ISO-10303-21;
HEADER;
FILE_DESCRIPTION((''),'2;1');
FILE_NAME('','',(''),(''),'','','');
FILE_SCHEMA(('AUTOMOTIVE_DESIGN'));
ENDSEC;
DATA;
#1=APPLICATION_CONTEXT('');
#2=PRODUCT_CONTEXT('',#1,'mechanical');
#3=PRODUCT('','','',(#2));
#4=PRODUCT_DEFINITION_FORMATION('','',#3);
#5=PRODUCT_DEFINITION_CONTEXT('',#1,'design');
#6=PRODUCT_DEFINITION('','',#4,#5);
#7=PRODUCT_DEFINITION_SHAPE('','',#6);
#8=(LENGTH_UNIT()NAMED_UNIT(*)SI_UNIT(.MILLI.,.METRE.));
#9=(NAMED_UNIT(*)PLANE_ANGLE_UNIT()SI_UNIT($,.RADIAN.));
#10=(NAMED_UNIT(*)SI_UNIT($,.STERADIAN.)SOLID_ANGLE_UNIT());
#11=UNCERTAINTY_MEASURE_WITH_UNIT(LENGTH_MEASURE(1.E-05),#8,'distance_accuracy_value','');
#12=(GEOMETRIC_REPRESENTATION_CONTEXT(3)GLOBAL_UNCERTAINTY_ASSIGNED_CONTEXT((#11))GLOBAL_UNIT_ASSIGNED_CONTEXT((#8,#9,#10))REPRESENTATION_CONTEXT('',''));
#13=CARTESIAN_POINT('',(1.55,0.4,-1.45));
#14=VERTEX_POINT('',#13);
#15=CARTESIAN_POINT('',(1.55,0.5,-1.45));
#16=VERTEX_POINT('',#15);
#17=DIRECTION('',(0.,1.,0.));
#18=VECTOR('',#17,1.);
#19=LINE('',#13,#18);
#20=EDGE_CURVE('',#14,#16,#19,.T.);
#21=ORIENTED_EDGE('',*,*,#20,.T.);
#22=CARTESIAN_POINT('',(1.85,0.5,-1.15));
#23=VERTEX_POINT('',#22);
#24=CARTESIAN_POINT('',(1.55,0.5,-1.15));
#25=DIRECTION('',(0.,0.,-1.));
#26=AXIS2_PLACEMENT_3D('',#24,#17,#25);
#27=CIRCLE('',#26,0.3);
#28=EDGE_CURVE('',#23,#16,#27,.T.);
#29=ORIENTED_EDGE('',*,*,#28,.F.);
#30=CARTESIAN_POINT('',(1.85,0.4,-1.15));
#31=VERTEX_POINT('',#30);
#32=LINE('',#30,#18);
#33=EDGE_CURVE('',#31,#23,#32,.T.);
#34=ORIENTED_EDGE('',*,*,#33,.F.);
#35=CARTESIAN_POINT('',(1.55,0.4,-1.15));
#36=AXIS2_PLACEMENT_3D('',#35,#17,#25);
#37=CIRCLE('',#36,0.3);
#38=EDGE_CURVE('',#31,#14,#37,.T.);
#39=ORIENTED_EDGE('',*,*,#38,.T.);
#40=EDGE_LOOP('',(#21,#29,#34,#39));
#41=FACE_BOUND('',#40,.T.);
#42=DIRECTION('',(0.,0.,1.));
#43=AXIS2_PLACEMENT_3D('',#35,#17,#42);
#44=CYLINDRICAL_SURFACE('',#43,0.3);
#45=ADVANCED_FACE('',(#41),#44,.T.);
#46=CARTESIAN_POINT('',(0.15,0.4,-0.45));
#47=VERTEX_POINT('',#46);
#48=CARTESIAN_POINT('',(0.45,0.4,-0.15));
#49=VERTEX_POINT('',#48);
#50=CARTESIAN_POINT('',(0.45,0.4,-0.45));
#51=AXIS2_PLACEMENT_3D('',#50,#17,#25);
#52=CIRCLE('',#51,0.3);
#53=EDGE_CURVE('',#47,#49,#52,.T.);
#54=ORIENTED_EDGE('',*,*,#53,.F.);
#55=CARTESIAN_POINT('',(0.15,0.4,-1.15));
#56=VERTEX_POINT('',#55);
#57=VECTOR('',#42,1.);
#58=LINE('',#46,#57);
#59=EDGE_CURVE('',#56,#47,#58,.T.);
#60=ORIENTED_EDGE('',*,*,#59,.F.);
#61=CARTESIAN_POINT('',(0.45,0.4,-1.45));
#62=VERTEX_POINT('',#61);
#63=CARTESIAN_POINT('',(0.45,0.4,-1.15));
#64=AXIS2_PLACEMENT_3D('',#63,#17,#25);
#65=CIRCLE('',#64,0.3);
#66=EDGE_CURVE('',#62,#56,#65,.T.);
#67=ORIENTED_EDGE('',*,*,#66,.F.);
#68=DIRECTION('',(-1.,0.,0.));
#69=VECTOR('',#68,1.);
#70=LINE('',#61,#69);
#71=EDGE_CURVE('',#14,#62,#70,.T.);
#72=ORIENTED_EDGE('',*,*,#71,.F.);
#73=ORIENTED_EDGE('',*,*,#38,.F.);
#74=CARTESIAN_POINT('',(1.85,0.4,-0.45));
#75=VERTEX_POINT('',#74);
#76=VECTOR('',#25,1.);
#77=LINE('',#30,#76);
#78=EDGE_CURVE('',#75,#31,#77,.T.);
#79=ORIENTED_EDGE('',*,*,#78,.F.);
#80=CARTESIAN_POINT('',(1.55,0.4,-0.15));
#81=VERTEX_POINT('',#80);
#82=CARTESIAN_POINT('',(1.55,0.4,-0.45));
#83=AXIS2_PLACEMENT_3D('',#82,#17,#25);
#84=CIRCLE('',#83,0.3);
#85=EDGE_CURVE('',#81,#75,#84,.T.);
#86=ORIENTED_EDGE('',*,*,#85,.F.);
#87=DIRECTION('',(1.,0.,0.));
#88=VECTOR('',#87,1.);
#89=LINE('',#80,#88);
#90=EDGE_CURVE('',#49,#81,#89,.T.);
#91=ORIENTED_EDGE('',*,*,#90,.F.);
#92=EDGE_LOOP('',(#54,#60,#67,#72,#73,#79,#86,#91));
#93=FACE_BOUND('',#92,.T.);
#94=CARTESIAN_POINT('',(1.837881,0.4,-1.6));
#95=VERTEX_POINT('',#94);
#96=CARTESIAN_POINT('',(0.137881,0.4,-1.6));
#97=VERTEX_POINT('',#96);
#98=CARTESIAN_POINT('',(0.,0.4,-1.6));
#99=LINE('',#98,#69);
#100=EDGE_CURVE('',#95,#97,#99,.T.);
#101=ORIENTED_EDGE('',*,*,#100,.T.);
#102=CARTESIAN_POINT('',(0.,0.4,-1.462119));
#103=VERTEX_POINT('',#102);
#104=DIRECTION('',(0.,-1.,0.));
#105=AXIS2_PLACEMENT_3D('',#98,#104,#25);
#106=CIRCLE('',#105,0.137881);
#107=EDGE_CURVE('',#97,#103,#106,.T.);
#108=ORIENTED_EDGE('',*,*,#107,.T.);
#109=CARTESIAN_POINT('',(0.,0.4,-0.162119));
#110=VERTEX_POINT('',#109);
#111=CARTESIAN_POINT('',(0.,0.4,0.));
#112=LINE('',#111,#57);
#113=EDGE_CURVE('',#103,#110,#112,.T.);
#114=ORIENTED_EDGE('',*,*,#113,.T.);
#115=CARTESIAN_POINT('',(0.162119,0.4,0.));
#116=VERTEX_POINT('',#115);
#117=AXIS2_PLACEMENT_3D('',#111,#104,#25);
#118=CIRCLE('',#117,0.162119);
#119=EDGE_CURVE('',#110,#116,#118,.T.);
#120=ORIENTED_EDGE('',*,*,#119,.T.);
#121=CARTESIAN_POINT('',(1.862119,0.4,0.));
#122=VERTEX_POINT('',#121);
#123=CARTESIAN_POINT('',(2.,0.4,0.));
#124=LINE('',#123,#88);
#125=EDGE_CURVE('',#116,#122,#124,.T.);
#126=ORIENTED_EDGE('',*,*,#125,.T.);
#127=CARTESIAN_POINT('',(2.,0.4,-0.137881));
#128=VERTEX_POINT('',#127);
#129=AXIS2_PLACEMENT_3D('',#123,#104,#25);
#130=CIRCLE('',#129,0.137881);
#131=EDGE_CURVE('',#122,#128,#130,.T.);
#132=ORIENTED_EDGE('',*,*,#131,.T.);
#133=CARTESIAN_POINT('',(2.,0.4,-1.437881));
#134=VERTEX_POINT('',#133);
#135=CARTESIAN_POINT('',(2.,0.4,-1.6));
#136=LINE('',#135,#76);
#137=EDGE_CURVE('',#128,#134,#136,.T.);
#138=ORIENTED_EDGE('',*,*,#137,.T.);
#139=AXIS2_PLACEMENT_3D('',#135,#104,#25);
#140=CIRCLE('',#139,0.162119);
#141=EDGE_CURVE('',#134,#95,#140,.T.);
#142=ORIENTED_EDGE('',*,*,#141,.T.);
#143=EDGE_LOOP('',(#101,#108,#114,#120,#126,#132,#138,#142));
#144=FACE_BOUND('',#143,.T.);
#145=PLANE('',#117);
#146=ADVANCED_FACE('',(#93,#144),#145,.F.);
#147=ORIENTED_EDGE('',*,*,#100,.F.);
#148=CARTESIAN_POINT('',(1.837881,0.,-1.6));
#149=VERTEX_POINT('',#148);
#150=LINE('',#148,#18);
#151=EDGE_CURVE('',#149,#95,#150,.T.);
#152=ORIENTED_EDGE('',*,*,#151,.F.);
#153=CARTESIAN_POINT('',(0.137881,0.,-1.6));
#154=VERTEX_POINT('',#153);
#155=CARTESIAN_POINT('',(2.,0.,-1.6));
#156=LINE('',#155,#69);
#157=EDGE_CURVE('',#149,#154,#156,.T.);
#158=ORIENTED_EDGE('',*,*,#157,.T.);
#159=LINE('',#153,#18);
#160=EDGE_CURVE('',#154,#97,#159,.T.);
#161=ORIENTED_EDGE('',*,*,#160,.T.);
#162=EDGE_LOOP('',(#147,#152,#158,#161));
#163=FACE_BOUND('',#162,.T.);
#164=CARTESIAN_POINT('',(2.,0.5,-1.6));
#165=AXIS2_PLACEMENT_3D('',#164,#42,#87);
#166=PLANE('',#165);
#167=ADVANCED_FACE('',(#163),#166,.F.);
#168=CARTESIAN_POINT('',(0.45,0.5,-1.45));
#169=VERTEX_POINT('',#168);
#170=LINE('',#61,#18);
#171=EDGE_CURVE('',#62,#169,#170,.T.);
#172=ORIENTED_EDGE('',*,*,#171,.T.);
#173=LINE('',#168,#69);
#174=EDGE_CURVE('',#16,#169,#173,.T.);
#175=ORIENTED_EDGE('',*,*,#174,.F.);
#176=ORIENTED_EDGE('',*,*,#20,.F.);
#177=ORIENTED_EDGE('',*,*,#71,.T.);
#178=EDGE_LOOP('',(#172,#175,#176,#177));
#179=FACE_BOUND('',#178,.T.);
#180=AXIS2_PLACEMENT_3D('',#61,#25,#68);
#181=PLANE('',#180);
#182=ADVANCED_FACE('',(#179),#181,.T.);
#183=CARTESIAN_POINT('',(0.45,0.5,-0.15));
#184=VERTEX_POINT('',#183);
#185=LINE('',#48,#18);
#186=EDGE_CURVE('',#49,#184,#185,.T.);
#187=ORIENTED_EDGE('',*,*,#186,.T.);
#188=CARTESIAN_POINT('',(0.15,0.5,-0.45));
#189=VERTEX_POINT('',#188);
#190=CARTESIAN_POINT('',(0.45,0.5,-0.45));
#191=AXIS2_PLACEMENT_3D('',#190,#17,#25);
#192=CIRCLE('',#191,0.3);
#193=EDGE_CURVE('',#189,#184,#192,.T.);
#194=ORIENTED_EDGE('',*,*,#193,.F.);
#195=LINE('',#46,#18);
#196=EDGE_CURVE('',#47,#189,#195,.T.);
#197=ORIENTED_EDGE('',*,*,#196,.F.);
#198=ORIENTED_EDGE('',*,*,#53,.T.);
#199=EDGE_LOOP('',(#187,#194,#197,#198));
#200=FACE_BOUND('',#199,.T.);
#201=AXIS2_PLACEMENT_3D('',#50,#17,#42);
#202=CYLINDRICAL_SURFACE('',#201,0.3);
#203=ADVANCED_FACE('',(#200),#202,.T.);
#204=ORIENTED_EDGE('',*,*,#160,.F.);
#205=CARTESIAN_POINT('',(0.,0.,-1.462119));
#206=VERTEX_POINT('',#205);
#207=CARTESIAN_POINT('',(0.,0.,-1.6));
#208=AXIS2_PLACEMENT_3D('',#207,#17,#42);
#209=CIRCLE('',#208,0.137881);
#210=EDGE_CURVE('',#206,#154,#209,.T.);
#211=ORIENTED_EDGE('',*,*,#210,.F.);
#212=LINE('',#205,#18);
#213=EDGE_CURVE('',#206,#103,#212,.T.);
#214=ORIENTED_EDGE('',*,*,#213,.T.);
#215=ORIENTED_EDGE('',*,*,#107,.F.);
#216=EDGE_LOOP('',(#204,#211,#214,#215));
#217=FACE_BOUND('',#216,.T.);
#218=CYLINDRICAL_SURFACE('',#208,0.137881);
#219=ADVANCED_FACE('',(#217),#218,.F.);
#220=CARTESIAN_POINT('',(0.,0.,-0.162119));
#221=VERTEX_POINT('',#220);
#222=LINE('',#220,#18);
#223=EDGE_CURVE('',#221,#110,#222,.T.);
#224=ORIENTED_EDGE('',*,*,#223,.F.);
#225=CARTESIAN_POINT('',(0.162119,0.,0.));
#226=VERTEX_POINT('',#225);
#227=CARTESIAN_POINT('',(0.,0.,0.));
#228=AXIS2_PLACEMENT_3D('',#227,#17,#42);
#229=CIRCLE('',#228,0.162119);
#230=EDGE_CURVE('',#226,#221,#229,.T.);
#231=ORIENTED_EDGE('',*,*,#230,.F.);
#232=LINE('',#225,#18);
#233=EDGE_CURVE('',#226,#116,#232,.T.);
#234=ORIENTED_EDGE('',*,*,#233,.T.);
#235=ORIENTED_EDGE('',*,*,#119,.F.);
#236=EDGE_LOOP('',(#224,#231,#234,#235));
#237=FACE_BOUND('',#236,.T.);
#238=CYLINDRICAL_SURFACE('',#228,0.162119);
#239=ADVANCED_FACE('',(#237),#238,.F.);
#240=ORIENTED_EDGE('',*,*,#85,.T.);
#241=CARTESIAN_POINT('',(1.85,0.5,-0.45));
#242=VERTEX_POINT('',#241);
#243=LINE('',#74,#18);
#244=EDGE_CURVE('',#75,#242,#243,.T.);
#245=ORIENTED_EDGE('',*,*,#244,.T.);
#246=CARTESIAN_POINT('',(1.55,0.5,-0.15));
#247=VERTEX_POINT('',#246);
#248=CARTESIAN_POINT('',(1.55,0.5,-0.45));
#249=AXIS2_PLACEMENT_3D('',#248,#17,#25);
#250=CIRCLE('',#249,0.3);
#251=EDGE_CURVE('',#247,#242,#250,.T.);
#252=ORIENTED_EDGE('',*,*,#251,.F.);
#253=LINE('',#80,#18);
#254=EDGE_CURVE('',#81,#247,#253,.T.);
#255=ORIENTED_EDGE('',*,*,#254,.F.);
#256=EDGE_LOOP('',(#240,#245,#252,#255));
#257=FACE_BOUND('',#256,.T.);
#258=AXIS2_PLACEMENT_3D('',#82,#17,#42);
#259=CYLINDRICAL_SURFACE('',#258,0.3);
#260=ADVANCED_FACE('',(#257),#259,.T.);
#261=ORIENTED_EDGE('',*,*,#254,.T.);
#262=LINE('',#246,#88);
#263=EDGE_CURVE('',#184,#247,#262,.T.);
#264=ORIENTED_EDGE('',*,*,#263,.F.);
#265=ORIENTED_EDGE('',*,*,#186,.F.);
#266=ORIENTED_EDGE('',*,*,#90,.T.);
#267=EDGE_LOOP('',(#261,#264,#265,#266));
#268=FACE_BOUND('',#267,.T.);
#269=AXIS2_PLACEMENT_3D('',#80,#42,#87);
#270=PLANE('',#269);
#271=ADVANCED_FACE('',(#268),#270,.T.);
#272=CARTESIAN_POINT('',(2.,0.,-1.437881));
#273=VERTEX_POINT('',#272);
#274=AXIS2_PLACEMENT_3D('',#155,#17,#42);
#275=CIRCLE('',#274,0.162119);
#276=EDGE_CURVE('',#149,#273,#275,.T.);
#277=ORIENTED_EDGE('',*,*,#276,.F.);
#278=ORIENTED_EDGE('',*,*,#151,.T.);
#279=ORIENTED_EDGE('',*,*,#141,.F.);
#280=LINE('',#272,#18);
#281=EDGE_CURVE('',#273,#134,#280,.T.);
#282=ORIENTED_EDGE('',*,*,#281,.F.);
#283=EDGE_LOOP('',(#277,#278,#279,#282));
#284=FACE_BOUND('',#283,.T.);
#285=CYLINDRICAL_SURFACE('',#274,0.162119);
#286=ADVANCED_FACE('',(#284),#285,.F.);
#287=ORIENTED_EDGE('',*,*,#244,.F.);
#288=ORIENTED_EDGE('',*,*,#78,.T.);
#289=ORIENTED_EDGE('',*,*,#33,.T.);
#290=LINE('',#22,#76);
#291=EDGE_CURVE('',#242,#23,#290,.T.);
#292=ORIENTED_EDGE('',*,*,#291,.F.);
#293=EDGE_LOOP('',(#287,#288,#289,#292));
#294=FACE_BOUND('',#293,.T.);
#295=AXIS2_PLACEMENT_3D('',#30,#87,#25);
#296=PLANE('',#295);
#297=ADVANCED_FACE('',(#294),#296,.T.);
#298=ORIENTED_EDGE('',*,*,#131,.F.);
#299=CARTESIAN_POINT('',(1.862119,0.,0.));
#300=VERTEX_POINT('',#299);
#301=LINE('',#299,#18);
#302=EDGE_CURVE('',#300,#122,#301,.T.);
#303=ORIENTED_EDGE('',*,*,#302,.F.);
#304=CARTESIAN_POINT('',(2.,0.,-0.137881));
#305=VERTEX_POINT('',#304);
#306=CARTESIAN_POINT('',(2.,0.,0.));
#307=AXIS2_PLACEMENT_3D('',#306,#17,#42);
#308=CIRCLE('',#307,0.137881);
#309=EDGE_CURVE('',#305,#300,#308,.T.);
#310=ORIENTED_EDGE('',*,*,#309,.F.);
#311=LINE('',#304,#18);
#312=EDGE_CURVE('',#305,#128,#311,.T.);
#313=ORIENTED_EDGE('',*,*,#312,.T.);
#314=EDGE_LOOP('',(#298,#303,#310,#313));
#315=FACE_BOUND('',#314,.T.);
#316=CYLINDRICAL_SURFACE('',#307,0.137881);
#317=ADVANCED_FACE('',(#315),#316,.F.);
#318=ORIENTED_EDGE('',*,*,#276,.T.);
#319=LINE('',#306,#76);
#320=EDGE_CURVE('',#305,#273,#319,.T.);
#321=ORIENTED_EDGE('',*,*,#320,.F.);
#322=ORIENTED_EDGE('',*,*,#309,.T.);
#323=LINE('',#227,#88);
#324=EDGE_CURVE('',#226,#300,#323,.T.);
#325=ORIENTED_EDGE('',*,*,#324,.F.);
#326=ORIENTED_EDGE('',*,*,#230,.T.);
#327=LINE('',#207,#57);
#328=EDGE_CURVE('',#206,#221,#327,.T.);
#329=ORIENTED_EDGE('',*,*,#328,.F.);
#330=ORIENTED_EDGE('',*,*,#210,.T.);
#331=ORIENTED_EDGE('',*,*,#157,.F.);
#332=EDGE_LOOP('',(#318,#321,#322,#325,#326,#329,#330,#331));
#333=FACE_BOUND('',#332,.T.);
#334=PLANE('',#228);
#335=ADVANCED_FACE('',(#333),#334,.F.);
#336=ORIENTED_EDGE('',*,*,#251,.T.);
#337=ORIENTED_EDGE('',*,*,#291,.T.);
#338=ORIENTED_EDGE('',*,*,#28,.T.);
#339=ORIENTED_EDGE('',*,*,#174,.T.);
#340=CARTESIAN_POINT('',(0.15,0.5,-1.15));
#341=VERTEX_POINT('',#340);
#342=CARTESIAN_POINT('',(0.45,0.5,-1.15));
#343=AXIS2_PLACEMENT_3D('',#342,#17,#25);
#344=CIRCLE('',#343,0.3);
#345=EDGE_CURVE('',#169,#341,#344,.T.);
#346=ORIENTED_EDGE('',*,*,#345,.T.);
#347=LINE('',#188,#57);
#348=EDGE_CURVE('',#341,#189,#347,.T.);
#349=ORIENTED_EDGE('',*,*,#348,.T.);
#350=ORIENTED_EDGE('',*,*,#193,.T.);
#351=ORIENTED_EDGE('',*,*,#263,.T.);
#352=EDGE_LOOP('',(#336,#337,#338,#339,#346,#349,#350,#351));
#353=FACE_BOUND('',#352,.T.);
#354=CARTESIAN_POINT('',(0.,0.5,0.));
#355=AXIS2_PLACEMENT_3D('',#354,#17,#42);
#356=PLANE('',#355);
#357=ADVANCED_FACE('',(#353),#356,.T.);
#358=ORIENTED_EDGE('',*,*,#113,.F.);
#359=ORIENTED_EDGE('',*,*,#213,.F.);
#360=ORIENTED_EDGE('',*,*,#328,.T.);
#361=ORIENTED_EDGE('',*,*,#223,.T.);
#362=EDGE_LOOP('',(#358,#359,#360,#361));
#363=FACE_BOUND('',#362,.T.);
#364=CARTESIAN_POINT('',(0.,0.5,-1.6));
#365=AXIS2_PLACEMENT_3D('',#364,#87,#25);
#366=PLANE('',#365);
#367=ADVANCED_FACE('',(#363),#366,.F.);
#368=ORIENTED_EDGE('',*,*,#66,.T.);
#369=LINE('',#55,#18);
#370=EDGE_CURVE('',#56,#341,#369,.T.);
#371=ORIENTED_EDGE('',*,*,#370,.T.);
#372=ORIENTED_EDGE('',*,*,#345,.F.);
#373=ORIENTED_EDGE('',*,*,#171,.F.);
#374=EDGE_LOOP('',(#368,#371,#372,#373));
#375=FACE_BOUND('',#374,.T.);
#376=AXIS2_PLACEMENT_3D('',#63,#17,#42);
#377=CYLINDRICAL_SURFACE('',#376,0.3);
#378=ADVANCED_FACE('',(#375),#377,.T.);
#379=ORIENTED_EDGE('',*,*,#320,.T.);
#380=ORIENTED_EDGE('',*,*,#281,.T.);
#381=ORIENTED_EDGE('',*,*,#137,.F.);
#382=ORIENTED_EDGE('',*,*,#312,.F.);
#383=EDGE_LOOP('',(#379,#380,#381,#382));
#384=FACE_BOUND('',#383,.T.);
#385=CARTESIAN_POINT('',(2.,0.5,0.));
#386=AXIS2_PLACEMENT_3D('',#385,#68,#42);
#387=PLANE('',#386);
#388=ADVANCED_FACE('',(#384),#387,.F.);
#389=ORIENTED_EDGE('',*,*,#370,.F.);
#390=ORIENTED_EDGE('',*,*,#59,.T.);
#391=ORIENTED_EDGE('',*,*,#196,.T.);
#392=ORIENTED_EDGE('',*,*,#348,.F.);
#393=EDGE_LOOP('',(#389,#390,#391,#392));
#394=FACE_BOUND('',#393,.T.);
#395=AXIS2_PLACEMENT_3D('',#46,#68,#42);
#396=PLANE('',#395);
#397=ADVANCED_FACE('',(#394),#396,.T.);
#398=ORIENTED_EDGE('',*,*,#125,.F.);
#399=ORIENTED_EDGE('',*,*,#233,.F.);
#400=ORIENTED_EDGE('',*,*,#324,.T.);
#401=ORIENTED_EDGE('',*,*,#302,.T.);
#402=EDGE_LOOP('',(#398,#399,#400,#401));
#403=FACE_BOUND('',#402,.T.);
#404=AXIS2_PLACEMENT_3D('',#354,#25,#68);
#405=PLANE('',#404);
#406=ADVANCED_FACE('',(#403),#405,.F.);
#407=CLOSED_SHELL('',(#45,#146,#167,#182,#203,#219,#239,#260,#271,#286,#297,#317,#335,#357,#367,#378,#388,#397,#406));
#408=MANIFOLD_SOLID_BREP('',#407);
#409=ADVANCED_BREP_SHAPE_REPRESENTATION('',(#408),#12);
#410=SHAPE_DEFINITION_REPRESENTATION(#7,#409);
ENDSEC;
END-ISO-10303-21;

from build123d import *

# Parameters (mm, degrees)
SKETCH1_W           = 2
SKETCH1_H           = 1.6
BOSS_EXTRUDE1_DEPTH = 0.5
SKETCH3_W           = 2
SKETCH3_H           = 1.6
CUT_EXTRUDE1_DEPTH  = 0.1
CUT_EXTRUDE2_DEPTH  = 0.5


with BuildPart() as part:
    # Sketch1 → Boss-Extrude1 (new body)
    with BuildSketch(Plane(origin=(0, 0, 0), x_dir=(1, 0, 0), z_dir=(0, 1, 0))):
        with Locations((1, 0.8)):
            Rectangle(SKETCH1_W, SKETCH1_H)
    extrude(amount=BOSS_EXTRUDE1_DEPTH)

    # Sketch3 → Cut-Extrude1 (cut)
    with BuildSketch(Plane(origin=(0, 0.5, 0), x_dir=(1, 0, 0), z_dir=(0, 1, 0))):
        with Locations((1, 0.8)):
            Rectangle(SKETCH3_W, SKETCH3_H)
        with BuildLine():
            Line((0.45, 1.45), (1.55, 1.45))
            ThreePointArc((1.55, 1.45), (1.762132034, 1.362132034), (1.85, 1.15))
            Line((1.85, 1.15), (1.85, 0.45))
            ThreePointArc((1.85, 0.45), (1.762132034, 0.237867966), (1.55, 0.15))
            Line((1.55, 0.15), (0.45, 0.15))
            ThreePointArc((0.45, 0.15), (0.237867966, 0.237867966), (0.15, 0.45))
            Line((0.15, 0.45), (0.15, 1.15))
            ThreePointArc((0.15, 1.15), (0.237867966, 1.362132034), (0.45, 1.45))
        make_face(mode=Mode.SUBTRACT)
    extrude(amount=-CUT_EXTRUDE1_DEPTH, mode=Mode.SUBTRACT)

    # Sketch2 → Cut-Extrude2 (cut)
    with BuildSketch(Plane(origin=(0, 0.5, 0), x_dir=(1, 0, 0), z_dir=(0, 1, 0))):
        with BuildLine():
            ThreePointArc((0, 1.462118963), (0.097496616, 1.502503384), (0.137881037, 1.6))
            Line((0.137881037, 1.6), (0, 1.6))
            Line((0, 1.6), (0, 1.462118963))
        make_face()
        with BuildLine():
            Line((2, 1.6), (1.837881037, 1.6))
            ThreePointArc((1.837881037, 1.6), (1.885364582, 1.485364582), (2, 1.437881037))
            Line((2, 1.437881037), (2, 1.6))
        make_face()
        with BuildLine():
            ThreePointArc((0.162118963, 0), (0.114635418, 0.114635418), (0, 0.162118963))
            Line((0, 0.162118963), (0, 0))
            Line((0, 0), (0.162118963, 0))
        make_face()
        with BuildLine():
            Line((2, 0), (2, 0.137881037))
            ThreePointArc((2, 0.137881037), (1.902503384, 0.097496616), (1.862118963, 0))
            Line((1.862118963, 0), (2, 0))
        make_face()
    extrude(amount=-CUT_EXTRUDE2_DEPTH, mode=Mode.SUBTRACT)


solid = part.part
